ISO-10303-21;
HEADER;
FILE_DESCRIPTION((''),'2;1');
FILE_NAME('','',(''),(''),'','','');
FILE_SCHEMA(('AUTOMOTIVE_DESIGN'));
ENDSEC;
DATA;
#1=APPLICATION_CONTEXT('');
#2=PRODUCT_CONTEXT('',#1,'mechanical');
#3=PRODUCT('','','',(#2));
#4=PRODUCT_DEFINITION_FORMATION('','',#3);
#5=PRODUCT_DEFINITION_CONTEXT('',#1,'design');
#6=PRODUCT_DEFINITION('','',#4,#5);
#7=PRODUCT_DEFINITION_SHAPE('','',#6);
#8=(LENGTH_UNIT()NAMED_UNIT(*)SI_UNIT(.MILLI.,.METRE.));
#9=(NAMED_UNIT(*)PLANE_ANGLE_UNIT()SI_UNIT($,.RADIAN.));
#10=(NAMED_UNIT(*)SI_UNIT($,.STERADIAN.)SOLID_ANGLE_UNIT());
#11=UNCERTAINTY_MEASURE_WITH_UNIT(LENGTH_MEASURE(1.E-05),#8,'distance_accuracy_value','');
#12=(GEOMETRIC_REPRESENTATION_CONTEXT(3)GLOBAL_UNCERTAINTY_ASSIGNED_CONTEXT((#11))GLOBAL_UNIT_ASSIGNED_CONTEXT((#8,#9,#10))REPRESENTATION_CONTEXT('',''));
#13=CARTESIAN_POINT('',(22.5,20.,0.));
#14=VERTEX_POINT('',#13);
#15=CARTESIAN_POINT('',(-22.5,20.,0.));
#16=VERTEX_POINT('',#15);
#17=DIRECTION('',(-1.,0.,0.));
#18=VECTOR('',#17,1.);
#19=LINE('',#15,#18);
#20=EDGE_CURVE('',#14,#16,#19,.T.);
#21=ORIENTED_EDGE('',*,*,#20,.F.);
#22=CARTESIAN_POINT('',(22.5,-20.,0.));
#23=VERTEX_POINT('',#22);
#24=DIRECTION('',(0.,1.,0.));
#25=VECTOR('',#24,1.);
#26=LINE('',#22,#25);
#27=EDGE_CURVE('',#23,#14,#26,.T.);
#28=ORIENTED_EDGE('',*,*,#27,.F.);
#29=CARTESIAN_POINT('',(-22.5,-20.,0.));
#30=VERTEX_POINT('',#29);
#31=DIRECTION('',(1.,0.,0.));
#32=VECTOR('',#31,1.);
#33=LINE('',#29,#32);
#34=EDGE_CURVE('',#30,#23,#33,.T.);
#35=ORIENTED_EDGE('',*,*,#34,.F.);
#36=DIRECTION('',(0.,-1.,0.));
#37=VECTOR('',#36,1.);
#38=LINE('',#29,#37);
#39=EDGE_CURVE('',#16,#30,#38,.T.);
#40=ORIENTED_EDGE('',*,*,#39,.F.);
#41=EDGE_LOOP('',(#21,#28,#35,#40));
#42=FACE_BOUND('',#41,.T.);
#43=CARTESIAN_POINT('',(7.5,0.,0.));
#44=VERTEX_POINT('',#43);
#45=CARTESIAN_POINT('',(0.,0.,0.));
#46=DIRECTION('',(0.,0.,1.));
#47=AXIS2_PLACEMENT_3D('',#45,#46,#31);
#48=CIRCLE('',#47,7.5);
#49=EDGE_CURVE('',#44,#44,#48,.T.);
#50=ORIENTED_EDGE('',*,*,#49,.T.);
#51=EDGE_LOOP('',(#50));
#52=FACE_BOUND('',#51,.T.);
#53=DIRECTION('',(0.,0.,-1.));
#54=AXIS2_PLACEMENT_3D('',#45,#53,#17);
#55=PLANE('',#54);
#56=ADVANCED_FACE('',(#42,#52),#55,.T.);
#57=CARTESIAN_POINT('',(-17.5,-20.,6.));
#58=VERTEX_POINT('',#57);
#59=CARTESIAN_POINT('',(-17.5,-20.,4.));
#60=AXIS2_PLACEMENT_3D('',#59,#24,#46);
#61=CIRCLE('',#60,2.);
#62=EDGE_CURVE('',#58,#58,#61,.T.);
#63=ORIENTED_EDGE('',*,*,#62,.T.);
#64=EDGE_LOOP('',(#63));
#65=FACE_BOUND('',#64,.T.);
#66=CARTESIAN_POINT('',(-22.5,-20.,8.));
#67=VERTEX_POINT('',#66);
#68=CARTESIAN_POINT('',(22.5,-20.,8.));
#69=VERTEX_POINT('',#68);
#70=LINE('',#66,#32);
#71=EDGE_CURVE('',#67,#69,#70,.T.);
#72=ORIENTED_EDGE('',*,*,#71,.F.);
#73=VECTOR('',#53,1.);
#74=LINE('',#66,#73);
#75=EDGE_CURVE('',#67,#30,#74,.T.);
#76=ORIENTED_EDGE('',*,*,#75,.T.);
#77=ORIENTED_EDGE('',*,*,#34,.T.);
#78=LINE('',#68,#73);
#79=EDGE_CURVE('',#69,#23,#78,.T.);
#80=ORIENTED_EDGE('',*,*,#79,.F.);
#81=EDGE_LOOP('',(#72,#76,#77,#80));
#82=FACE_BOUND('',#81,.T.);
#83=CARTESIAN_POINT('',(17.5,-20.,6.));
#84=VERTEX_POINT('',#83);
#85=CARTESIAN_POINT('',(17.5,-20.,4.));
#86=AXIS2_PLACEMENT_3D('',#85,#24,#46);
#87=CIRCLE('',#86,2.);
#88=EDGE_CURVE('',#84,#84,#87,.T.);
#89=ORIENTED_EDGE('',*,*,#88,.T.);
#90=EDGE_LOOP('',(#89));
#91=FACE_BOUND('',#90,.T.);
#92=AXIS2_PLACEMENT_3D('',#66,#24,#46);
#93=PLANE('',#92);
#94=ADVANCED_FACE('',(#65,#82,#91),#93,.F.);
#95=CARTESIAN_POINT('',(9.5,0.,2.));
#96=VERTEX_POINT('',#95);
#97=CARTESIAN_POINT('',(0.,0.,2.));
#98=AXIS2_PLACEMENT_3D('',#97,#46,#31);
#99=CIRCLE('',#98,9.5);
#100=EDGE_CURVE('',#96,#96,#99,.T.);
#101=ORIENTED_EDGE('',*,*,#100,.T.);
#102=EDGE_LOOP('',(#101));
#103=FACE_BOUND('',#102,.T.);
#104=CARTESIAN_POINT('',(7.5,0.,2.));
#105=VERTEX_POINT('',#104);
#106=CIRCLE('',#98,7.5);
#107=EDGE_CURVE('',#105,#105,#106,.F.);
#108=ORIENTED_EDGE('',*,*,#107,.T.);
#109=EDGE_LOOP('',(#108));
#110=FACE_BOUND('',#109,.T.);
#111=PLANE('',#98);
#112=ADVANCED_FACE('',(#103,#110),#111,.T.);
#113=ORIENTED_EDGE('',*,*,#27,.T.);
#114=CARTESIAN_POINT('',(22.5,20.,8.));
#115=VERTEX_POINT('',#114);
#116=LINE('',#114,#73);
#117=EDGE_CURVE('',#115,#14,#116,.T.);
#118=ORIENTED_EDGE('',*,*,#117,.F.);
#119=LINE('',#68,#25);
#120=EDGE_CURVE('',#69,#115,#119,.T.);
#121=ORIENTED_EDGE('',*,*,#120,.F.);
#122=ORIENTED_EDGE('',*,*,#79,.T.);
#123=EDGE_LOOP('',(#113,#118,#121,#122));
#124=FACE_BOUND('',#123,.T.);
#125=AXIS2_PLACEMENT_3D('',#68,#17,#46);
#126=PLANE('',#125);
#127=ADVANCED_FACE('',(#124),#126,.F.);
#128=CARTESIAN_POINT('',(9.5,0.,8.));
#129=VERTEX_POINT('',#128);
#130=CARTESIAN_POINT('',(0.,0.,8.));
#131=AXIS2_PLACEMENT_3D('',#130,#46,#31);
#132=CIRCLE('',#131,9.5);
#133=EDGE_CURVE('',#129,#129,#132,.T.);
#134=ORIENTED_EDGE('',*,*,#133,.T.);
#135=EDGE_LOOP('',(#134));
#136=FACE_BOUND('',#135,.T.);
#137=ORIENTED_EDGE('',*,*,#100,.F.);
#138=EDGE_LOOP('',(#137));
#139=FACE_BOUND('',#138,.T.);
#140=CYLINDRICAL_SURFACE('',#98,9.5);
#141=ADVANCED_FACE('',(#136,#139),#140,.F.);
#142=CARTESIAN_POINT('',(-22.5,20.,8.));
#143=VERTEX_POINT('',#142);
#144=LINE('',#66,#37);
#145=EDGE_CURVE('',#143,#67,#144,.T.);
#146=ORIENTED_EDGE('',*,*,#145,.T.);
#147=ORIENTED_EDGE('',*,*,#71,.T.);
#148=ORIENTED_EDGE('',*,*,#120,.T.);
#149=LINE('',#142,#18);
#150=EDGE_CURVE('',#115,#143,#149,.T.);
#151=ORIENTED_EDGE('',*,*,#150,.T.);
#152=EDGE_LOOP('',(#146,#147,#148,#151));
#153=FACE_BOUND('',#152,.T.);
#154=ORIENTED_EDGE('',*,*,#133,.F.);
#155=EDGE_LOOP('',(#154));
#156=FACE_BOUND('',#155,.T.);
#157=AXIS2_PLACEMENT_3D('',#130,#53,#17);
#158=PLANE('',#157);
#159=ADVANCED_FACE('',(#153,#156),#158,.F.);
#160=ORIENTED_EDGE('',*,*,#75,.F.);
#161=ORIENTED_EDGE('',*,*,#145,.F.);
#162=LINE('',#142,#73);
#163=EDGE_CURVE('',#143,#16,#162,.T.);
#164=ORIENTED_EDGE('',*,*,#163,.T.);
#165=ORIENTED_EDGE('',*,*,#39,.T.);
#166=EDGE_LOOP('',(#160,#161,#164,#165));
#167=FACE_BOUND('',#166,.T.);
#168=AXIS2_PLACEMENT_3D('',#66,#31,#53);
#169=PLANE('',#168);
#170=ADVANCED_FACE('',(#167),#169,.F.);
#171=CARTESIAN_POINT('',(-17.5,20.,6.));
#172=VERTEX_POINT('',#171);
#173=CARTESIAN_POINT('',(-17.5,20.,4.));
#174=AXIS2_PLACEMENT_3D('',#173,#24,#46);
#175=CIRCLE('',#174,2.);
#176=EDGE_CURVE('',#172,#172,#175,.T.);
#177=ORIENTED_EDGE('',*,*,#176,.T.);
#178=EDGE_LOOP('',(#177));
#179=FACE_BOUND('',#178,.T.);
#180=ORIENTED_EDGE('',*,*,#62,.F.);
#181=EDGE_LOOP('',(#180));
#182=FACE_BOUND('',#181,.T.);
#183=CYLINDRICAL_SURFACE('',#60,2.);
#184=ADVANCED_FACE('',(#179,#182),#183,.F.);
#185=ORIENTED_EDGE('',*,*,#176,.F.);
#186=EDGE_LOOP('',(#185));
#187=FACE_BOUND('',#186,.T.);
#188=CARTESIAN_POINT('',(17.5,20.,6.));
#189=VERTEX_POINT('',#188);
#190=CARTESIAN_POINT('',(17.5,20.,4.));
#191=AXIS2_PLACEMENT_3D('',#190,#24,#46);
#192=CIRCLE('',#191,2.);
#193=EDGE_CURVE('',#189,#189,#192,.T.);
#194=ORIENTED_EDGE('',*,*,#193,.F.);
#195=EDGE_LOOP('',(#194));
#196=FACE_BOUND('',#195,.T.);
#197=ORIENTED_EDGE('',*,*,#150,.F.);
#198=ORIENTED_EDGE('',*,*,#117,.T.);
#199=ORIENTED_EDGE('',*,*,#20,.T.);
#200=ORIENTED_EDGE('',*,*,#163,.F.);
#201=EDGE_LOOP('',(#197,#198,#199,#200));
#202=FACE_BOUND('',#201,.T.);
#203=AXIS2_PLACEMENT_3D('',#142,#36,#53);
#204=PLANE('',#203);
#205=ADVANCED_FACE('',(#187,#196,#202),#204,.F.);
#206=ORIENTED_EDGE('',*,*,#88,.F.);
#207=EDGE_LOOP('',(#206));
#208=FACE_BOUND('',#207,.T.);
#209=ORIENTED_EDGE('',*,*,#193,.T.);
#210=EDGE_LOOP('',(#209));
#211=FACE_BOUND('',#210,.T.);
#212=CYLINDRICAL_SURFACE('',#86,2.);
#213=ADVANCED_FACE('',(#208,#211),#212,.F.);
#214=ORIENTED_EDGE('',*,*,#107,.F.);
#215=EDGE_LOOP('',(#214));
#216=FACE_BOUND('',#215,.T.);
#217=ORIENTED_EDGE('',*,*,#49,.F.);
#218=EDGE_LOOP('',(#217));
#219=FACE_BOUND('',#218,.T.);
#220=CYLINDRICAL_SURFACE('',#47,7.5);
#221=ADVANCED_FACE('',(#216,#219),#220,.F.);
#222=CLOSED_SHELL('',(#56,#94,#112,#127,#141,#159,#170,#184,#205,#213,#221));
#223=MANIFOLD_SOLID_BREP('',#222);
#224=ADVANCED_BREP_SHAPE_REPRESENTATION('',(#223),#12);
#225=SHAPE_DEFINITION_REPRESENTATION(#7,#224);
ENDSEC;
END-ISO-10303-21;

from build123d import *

# Parameters (mm, degrees)
ESQUISSE1_W             = 45
ESQUISSE1_H             = 40
BOSS_EXTRU_1_DEPTH      = 8
ESQUISSE2_R             = 7.5
ENL_V_MAT_EXTRU_1_DEPTH = 9
ESQUISSE3_R             = 9.5
ENL_V_MAT_EXTRU_2_DEPTH = 6
ESQUISSE4_R             = 2
ENL_V_MAT_EXTRU_3_DEPTH = 41


with BuildPart() as part:
    # Esquisse1 → Boss.-Extru.1 (new body)
    with BuildSketch(Plane.XY):
        Rectangle(ESQUISSE1_W, ESQUISSE1_H)
    extrude(amount=BOSS_EXTRU_1_DEPTH)

    # Esquisse2 → Enlèv. mat.-Extru.1 (cut, through all)
    with BuildSketch(Plane.XY.offset(8)):
        Circle(ESQUISSE2_R)
    extrude(amount=-ENL_V_MAT_EXTRU_1_DEPTH, mode=Mode.SUBTRACT)

    # Esquisse3 → Enlèv. mat.-Extru.2 (cut)
    with BuildSketch(Plane.XY.offset(8)):
        Circle(ESQUISSE3_R)
    extrude(amount=-ENL_V_MAT_EXTRU_2_DEPTH, mode=Mode.SUBTRACT)

    # Esquisse4 → Enlèv. mat.-Extru.3 (cut, through all)
    with BuildSketch(Plane(origin=(0, 20, 0), x_dir=(1, 0, 0), z_dir=(0, 1, 0))):
        with Locations((-17.5, -4)):
            Circle(ESQUISSE4_R)
        with Locations((17.5, -4)):
            Circle(ESQUISSE4_R)
    extrude(amount=-ENL_V_MAT_EXTRU_3_DEPTH, mode=Mode.SUBTRACT)


solid = part.part
